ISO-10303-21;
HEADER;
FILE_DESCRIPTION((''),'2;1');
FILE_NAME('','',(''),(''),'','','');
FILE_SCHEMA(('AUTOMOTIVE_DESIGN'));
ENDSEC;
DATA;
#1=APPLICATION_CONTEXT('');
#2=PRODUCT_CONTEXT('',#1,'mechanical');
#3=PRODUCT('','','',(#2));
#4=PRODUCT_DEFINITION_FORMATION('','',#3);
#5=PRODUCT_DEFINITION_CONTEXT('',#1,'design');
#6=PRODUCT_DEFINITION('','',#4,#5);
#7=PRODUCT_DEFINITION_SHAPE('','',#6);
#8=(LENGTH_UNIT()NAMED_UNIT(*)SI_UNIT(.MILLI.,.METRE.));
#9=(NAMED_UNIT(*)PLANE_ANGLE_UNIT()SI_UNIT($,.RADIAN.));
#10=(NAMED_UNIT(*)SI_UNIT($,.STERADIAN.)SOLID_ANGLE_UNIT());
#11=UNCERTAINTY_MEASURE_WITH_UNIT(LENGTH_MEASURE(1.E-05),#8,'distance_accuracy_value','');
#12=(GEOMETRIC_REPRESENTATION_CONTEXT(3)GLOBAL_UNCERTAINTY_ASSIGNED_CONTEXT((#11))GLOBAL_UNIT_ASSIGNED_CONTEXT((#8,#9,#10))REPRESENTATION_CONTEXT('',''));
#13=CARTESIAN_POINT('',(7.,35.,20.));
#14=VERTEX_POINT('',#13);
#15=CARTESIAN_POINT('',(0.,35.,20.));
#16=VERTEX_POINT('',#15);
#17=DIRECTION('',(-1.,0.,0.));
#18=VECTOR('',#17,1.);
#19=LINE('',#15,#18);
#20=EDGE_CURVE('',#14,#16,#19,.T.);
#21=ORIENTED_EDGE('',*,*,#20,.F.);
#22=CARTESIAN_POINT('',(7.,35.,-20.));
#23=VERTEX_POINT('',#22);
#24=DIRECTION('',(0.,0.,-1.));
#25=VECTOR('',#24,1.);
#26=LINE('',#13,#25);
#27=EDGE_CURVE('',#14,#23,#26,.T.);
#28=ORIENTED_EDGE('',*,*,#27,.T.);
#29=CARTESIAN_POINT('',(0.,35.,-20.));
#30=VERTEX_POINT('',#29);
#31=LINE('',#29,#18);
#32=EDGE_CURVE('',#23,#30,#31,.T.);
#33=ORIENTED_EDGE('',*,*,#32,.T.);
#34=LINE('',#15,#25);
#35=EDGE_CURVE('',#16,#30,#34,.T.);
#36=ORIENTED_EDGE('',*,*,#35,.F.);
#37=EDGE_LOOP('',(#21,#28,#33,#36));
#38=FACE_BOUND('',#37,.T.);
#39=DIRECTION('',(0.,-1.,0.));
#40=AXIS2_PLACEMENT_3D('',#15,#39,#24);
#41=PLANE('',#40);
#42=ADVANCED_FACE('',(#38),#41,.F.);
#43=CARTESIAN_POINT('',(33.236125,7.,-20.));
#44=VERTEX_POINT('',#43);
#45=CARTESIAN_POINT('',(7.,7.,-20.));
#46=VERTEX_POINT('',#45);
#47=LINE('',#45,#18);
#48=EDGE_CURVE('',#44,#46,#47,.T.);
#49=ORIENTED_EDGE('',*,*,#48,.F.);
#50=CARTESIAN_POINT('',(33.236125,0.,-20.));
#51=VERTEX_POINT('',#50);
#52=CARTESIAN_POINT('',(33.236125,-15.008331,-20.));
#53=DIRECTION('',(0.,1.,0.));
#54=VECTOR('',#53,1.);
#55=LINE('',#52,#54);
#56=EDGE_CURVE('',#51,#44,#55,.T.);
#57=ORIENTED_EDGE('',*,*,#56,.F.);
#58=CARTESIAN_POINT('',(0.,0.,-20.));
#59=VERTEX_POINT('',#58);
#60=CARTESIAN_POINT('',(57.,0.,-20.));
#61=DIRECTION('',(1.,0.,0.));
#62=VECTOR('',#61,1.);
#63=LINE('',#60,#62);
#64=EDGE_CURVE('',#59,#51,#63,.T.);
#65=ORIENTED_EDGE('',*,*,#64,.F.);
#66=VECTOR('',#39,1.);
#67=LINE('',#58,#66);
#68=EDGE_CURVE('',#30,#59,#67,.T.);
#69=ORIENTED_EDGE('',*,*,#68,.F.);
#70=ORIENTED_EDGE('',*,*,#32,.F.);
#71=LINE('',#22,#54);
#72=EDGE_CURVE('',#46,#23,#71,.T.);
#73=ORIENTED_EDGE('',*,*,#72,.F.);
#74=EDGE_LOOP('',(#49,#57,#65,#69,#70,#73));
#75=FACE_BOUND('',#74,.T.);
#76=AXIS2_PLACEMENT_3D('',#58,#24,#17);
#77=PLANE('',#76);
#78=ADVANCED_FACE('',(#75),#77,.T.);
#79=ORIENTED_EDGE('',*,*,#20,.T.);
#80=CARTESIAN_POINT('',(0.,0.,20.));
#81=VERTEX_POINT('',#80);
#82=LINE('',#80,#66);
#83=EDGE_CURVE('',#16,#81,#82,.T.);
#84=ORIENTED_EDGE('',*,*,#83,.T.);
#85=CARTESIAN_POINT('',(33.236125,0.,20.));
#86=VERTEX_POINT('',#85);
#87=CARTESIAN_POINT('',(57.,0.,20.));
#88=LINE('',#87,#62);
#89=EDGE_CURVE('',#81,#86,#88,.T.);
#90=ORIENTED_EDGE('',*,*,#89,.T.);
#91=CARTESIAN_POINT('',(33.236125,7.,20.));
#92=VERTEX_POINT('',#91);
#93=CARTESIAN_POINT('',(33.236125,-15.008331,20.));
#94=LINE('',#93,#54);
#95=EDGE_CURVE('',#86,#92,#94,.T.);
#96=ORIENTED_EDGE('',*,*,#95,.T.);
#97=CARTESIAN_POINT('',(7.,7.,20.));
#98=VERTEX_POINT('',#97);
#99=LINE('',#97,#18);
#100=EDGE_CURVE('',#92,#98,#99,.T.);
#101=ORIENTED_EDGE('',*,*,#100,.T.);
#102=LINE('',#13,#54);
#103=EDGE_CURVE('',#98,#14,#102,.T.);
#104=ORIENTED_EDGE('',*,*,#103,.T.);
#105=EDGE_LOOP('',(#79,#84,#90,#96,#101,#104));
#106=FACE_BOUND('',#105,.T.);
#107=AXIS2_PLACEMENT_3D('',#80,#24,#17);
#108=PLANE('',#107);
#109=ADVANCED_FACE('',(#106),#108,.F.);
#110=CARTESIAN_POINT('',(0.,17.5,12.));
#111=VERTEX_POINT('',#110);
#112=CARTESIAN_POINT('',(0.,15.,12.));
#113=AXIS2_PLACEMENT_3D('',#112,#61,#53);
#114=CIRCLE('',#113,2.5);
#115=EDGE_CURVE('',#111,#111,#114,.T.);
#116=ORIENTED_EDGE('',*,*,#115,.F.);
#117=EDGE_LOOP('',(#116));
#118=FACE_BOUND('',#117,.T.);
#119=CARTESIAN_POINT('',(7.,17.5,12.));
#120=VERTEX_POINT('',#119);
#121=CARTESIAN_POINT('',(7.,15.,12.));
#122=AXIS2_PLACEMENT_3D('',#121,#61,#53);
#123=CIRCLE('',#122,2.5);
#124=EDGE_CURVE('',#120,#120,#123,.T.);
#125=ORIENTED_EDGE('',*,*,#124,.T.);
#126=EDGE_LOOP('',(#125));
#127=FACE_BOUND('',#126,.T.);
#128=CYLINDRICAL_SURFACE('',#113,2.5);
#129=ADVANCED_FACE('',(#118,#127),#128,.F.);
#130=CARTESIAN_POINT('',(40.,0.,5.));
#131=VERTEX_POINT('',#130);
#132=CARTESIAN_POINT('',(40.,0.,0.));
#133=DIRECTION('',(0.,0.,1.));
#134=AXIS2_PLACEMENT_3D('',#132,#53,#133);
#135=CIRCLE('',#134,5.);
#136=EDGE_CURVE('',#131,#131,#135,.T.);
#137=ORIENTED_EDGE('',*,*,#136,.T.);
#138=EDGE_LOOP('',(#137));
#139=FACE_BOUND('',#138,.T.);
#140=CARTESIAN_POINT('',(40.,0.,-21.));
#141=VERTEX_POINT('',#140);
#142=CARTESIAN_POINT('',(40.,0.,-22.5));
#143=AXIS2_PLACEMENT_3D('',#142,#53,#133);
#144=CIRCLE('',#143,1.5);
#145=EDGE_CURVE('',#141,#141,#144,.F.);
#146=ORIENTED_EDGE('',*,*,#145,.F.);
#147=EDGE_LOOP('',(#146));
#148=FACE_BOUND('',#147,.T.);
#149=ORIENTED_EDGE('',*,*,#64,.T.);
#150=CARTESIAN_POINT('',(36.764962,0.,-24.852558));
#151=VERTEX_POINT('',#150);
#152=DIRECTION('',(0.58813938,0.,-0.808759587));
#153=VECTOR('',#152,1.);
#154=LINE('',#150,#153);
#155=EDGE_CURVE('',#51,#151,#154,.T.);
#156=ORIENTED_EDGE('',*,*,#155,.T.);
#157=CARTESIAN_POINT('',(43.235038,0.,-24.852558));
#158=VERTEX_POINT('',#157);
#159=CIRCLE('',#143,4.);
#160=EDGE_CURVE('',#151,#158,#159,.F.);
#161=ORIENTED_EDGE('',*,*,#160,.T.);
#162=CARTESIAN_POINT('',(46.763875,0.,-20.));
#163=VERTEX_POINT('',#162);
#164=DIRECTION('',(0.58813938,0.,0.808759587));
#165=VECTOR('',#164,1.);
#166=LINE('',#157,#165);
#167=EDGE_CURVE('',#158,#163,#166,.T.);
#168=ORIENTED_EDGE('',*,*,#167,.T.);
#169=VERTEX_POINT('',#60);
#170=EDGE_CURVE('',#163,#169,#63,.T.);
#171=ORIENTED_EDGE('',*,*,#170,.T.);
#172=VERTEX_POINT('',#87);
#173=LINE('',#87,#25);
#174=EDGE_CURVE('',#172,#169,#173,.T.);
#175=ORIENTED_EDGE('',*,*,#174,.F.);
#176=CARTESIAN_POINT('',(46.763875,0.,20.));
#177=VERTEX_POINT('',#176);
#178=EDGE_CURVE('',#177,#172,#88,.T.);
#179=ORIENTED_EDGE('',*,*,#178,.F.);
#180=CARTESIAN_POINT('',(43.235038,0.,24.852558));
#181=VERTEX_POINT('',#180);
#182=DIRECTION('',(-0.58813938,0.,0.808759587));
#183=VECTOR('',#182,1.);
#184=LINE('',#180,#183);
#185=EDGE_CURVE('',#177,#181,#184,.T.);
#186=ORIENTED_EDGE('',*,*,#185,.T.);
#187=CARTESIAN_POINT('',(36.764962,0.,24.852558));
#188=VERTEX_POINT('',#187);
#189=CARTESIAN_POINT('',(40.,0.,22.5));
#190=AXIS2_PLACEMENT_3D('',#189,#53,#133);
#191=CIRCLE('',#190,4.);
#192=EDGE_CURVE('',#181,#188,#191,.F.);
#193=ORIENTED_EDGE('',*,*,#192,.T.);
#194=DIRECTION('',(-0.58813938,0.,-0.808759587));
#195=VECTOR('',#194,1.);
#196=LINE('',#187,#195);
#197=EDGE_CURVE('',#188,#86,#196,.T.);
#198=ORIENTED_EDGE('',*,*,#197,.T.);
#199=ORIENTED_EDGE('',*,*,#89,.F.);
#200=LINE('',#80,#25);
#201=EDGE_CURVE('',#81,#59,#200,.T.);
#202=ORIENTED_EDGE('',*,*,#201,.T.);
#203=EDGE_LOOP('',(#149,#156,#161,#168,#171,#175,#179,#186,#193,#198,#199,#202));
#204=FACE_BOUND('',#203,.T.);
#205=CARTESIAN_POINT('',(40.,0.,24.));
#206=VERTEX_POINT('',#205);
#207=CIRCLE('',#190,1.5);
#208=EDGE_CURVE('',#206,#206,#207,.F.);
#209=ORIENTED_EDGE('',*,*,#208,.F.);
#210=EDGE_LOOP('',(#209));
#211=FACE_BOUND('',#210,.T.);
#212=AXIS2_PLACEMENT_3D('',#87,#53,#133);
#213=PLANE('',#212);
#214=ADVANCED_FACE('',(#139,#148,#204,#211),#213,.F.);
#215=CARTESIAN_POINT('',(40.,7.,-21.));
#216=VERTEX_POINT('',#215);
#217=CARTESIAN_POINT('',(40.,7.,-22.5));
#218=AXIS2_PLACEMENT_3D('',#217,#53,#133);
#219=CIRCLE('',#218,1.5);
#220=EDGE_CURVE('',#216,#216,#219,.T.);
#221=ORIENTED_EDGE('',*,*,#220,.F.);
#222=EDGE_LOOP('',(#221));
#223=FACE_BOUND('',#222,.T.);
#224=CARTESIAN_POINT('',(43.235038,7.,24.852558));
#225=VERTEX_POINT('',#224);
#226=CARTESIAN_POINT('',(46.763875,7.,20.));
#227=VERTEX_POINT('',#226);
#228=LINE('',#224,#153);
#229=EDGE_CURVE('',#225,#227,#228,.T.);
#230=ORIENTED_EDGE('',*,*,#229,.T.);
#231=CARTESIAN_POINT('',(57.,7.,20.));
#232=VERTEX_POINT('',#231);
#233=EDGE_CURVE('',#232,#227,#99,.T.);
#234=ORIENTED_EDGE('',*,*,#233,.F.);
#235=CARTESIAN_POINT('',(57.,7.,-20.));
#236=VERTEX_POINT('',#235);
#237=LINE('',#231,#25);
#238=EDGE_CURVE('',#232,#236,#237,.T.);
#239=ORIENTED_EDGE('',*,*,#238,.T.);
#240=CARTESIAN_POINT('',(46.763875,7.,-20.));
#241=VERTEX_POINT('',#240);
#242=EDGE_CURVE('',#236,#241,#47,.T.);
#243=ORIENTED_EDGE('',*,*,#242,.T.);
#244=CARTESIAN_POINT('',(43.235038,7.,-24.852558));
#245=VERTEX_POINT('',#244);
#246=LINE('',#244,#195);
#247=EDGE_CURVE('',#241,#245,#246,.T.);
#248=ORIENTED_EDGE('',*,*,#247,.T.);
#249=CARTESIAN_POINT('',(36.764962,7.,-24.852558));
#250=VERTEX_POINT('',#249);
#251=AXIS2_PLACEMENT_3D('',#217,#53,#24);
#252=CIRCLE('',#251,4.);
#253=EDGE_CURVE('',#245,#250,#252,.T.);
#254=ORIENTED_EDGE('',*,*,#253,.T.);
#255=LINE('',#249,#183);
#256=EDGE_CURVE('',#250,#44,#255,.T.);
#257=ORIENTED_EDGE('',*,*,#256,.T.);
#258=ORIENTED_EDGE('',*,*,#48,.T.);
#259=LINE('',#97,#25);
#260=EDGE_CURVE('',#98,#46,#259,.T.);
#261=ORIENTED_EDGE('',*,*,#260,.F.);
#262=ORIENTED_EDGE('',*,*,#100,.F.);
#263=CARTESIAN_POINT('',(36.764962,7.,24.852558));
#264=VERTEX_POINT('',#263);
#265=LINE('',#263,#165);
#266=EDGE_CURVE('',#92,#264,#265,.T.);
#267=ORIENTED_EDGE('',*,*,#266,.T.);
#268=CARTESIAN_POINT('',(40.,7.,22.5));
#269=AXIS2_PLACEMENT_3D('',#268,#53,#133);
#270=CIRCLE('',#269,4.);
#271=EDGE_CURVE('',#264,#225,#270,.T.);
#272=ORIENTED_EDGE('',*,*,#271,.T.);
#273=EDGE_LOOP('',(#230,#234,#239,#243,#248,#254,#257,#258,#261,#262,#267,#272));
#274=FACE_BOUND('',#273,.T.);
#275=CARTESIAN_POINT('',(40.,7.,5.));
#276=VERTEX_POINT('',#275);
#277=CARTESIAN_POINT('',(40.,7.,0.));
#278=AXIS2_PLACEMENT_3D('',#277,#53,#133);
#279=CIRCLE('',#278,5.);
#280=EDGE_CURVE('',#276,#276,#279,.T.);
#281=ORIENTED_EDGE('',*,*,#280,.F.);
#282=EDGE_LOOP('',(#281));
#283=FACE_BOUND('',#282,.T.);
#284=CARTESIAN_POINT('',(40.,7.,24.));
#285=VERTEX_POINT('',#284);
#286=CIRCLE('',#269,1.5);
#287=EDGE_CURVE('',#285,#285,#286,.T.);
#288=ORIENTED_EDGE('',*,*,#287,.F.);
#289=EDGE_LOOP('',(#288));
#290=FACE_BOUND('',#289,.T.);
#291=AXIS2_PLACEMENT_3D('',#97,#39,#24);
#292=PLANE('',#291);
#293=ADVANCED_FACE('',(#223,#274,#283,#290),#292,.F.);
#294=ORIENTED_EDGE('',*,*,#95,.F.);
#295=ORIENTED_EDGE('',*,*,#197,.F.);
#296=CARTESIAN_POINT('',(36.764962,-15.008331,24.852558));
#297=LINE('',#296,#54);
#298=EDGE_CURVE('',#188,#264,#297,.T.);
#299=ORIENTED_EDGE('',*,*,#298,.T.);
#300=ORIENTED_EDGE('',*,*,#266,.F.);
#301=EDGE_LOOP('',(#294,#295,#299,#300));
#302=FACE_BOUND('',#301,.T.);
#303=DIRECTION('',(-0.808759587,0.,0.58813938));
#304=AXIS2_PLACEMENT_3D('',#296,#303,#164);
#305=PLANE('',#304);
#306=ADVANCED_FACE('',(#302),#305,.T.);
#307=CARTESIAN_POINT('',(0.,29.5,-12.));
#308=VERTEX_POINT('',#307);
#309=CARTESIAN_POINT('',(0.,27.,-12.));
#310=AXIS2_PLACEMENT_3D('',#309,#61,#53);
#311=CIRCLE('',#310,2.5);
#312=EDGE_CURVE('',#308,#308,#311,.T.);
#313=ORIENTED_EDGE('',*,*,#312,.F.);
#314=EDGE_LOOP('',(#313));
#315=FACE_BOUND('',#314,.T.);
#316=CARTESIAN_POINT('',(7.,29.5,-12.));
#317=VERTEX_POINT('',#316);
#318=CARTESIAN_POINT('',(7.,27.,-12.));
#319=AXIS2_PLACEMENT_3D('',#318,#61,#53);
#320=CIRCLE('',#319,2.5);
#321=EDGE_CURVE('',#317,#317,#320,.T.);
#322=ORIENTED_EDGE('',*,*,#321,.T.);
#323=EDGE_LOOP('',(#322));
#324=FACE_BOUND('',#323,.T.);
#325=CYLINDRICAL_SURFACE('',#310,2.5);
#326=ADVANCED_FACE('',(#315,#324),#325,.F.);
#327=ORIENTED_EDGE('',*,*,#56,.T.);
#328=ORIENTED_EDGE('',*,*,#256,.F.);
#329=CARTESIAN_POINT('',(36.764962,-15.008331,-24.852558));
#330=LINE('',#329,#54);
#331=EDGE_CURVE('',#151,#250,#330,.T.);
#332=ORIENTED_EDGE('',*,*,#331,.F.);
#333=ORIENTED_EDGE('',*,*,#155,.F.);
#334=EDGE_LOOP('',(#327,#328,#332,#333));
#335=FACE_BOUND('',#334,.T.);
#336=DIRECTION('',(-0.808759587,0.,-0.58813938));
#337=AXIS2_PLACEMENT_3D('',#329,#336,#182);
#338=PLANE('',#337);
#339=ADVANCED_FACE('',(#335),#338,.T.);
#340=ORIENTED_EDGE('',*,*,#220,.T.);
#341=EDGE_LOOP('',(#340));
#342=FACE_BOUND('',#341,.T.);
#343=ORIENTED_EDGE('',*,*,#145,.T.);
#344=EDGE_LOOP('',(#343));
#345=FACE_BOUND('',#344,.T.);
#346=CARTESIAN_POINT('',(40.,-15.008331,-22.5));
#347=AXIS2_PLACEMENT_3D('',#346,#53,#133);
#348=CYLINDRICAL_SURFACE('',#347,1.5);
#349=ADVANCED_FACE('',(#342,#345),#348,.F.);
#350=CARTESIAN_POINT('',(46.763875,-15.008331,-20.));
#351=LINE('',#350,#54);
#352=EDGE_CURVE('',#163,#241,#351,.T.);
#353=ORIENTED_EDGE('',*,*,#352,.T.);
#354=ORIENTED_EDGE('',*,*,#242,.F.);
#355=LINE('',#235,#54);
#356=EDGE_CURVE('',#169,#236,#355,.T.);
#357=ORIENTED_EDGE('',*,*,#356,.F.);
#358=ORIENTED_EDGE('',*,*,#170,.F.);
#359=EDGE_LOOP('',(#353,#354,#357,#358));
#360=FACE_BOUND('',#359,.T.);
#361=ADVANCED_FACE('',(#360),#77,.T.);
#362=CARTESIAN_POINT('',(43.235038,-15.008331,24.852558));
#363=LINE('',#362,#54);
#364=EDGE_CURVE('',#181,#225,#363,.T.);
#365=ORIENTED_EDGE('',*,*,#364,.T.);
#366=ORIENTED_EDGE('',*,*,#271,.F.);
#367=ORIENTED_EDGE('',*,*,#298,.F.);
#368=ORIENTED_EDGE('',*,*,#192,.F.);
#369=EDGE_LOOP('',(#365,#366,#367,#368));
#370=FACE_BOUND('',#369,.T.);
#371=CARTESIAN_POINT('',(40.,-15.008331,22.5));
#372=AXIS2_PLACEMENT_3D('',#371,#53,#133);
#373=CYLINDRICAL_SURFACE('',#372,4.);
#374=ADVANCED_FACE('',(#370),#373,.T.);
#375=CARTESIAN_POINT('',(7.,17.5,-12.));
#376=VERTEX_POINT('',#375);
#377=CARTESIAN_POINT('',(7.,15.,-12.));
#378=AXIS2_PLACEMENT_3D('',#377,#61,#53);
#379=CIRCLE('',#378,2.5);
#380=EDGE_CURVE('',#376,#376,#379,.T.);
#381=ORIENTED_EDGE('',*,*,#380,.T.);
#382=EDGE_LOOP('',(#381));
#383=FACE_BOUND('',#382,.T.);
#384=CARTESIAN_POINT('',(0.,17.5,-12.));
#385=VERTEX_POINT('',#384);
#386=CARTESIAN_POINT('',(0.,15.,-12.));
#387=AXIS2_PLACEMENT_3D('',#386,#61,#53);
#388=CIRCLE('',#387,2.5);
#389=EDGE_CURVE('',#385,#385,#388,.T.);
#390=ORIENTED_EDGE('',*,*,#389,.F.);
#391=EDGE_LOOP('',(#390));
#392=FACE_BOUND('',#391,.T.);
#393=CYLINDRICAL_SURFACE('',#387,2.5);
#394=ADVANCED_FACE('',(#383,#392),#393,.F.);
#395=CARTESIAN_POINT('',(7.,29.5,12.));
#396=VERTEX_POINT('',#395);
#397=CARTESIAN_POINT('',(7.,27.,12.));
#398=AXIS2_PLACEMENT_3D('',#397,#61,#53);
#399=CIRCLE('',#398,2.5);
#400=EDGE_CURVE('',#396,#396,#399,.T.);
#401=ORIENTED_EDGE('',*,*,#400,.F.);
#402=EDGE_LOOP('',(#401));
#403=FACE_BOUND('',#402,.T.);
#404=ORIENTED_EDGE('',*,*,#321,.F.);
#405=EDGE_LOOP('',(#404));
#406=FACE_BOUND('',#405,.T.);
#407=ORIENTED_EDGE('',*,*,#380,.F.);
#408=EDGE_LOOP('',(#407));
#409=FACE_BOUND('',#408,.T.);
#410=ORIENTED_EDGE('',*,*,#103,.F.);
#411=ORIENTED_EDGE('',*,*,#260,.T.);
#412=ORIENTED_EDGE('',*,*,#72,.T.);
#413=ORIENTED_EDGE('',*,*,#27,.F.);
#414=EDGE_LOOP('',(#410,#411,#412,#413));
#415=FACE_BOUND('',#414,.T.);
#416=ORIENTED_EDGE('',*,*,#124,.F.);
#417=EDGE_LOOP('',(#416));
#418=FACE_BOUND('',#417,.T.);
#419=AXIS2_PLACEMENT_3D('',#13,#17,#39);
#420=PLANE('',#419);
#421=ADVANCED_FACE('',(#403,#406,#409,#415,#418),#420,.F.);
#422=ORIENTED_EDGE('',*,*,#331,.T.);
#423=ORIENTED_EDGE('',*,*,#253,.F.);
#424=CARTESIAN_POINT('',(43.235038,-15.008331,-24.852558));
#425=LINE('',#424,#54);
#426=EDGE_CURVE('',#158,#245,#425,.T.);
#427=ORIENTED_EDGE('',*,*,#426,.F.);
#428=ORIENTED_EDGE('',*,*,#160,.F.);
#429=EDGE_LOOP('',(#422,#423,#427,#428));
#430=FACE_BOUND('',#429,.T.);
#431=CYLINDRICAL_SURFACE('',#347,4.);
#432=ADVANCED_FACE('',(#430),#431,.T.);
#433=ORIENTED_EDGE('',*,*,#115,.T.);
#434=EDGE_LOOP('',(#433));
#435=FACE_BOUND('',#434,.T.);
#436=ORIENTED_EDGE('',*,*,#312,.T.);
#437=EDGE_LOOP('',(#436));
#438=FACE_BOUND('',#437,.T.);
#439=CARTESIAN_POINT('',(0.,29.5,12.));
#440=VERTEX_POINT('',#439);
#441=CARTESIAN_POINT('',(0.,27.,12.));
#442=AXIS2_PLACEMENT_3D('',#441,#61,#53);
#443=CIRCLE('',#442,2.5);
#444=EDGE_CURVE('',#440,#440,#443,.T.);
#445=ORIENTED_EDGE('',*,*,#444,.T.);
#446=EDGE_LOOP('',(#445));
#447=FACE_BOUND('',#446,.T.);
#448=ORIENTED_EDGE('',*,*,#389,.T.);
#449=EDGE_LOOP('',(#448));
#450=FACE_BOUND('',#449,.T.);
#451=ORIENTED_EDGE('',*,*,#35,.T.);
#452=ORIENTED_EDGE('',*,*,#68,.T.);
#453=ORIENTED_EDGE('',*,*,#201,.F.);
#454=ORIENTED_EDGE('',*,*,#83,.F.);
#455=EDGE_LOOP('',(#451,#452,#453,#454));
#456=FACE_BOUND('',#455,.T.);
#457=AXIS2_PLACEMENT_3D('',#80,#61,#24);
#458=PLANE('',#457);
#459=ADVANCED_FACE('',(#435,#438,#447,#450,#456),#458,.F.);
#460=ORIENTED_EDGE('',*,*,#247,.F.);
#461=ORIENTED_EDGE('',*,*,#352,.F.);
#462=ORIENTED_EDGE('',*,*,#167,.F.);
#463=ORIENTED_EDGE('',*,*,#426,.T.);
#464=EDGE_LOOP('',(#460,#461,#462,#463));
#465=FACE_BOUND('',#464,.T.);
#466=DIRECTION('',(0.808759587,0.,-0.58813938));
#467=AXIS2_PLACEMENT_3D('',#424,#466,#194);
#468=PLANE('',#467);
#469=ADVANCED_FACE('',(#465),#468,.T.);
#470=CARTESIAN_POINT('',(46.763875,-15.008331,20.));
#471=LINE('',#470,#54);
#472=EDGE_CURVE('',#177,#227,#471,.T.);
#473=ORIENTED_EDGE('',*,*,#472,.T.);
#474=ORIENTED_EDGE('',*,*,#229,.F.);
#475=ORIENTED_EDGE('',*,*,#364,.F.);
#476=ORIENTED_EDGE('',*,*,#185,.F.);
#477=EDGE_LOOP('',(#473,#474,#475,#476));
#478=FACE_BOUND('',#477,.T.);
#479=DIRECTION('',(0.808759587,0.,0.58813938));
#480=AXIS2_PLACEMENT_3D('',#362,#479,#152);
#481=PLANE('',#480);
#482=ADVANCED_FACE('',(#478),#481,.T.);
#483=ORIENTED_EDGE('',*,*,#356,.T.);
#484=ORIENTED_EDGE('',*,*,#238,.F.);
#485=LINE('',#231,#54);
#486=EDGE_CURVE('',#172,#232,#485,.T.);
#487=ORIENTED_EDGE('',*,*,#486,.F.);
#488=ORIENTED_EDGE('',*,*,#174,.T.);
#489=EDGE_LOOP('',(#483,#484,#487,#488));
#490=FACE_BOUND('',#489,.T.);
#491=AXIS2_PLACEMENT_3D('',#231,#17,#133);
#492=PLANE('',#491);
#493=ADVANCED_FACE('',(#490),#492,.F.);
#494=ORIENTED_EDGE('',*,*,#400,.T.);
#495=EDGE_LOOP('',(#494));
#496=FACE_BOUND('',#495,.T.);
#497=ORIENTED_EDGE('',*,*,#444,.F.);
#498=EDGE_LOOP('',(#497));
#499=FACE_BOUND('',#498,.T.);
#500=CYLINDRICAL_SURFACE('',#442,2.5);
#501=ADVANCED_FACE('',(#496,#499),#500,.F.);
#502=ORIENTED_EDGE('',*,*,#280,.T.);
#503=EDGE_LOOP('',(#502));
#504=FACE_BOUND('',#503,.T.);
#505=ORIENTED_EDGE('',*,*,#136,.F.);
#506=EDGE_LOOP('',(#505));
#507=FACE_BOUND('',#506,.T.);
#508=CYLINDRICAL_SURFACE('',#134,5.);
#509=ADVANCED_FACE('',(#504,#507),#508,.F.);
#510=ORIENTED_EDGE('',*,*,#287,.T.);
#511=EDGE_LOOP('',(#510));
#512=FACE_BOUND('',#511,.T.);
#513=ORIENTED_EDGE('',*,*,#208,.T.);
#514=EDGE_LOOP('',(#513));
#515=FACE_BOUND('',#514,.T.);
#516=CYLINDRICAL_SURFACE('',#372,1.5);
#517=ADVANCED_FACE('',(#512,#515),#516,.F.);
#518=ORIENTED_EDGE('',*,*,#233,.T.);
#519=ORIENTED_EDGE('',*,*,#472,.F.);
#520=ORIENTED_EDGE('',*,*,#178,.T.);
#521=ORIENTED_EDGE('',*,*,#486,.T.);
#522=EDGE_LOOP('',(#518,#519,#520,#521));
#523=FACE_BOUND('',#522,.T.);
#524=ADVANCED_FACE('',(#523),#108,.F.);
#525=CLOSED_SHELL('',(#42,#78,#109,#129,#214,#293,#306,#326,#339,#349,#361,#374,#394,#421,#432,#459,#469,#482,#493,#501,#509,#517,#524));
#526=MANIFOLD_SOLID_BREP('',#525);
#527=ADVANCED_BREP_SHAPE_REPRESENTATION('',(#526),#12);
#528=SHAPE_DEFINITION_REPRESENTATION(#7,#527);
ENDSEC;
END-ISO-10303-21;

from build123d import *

# Parameters (mm, degrees)
BOSS_EXTRUDE1_DEPTH = 20
SKETCH2_R           = 5
CUT_EXTRUDE1_DEPTH  = 67.580778007
SKETCH3_R           = 2.5
CUT_EXTRUDE2_DEPTH  = 65.226162893
SKETCH4_R           = 1.5
BOSS_EXTRUDE2_DEPTH = 7


with BuildPart() as part:
    # Sketch1 → Boss-Extrude1 (new, symmetric)
    with BuildSketch(Plane.XY):
        Polygon((0, 0), (0, 35), (7, 35), (7, 7), (57, 7), (57, 0), align=None)
    extrude(amount=BOSS_EXTRUDE1_DEPTH, both=True)

    # Sketch2 → Cut-Extrude1 (cut, through all)
    with BuildSketch(Plane(origin=(0, 7, 0), x_dir=(1, 0, 0), z_dir=(0, 1, 0))):
        with Locations(Location((40, 0, 0), (0, 0, 270))):
            Circle(SKETCH2_R)
    extrude(amount=-CUT_EXTRUDE1_DEPTH, mode=Mode.SUBTRACT)

    # Sketch3 → Cut-Extrude2 (cut, through all)
    with BuildSketch(Plane(origin=(7, 0, 0), x_dir=(0, 0, -1), z_dir=(1, 0, 0))):
        with Locations(Location((12, 27, 0), (0, 0, 90))):
            Circle(SKETCH3_R)
        with Locations(Location((12, 15, 0), (0, 0, 90))):
            Circle(SKETCH3_R)
        with Locations(Location((-12, 27, 0), (0, 0, 90))):
            Circle(SKETCH3_R)
        with Locations(Location((-12, 15, 0), (0, 0, 90))):
            Circle(SKETCH3_R)
    extrude(amount=-CUT_EXTRUDE2_DEPTH, mode=Mode.SUBTRACT)

    # Sketch4 → Boss-Extrude2 (add)
    # profile 1 of 2: a face of its own
    with BuildSketch(Plane(origin=(0, 7, 0), x_dir=(1, 0, 0), z_dir=(0, 1, 0))):
        with BuildLine():
            Line((36.764961653, 24.852557521), (33.236125371, 20))
            Line((33.236125371, 20), (46.763874629, 20))
            Line((46.763874629, 20), (43.235038347, 24.852557521))
            ThreePointArc((43.235038347, 24.852557521), (40, 26.5), (36.764961653, 24.852557521))
        make_face()
        with Locations(Location((40, 22.5, 0), (0, 0, 270))):
            Circle(SKETCH4_R, mode=Mode.SUBTRACT)
    # profile 2 of 2: a face of its own
    with BuildSketch(Plane(origin=(0, 7, 0), x_dir=(1, 0, 0), z_dir=(0, 1, 0))):
        with BuildLine():
            Line((43.235038347, -24.852557521), (46.763874629, -20))
            Line((46.763874629, -20), (33.236125371, -20))
            Line((33.236125371, -20), (36.764961653, -24.852557521))
            ThreePointArc((36.764961653, -24.852557521), (40, -26.5), (43.235038347, -24.852557521))
        make_face()
        with Locations(Location((40, -22.5, 0), (0, 0, 270))):
            Circle(SKETCH4_R, mode=Mode.SUBTRACT)
    extrude(amount=-BOSS_EXTRUDE2_DEPTH)


solid = part.part
